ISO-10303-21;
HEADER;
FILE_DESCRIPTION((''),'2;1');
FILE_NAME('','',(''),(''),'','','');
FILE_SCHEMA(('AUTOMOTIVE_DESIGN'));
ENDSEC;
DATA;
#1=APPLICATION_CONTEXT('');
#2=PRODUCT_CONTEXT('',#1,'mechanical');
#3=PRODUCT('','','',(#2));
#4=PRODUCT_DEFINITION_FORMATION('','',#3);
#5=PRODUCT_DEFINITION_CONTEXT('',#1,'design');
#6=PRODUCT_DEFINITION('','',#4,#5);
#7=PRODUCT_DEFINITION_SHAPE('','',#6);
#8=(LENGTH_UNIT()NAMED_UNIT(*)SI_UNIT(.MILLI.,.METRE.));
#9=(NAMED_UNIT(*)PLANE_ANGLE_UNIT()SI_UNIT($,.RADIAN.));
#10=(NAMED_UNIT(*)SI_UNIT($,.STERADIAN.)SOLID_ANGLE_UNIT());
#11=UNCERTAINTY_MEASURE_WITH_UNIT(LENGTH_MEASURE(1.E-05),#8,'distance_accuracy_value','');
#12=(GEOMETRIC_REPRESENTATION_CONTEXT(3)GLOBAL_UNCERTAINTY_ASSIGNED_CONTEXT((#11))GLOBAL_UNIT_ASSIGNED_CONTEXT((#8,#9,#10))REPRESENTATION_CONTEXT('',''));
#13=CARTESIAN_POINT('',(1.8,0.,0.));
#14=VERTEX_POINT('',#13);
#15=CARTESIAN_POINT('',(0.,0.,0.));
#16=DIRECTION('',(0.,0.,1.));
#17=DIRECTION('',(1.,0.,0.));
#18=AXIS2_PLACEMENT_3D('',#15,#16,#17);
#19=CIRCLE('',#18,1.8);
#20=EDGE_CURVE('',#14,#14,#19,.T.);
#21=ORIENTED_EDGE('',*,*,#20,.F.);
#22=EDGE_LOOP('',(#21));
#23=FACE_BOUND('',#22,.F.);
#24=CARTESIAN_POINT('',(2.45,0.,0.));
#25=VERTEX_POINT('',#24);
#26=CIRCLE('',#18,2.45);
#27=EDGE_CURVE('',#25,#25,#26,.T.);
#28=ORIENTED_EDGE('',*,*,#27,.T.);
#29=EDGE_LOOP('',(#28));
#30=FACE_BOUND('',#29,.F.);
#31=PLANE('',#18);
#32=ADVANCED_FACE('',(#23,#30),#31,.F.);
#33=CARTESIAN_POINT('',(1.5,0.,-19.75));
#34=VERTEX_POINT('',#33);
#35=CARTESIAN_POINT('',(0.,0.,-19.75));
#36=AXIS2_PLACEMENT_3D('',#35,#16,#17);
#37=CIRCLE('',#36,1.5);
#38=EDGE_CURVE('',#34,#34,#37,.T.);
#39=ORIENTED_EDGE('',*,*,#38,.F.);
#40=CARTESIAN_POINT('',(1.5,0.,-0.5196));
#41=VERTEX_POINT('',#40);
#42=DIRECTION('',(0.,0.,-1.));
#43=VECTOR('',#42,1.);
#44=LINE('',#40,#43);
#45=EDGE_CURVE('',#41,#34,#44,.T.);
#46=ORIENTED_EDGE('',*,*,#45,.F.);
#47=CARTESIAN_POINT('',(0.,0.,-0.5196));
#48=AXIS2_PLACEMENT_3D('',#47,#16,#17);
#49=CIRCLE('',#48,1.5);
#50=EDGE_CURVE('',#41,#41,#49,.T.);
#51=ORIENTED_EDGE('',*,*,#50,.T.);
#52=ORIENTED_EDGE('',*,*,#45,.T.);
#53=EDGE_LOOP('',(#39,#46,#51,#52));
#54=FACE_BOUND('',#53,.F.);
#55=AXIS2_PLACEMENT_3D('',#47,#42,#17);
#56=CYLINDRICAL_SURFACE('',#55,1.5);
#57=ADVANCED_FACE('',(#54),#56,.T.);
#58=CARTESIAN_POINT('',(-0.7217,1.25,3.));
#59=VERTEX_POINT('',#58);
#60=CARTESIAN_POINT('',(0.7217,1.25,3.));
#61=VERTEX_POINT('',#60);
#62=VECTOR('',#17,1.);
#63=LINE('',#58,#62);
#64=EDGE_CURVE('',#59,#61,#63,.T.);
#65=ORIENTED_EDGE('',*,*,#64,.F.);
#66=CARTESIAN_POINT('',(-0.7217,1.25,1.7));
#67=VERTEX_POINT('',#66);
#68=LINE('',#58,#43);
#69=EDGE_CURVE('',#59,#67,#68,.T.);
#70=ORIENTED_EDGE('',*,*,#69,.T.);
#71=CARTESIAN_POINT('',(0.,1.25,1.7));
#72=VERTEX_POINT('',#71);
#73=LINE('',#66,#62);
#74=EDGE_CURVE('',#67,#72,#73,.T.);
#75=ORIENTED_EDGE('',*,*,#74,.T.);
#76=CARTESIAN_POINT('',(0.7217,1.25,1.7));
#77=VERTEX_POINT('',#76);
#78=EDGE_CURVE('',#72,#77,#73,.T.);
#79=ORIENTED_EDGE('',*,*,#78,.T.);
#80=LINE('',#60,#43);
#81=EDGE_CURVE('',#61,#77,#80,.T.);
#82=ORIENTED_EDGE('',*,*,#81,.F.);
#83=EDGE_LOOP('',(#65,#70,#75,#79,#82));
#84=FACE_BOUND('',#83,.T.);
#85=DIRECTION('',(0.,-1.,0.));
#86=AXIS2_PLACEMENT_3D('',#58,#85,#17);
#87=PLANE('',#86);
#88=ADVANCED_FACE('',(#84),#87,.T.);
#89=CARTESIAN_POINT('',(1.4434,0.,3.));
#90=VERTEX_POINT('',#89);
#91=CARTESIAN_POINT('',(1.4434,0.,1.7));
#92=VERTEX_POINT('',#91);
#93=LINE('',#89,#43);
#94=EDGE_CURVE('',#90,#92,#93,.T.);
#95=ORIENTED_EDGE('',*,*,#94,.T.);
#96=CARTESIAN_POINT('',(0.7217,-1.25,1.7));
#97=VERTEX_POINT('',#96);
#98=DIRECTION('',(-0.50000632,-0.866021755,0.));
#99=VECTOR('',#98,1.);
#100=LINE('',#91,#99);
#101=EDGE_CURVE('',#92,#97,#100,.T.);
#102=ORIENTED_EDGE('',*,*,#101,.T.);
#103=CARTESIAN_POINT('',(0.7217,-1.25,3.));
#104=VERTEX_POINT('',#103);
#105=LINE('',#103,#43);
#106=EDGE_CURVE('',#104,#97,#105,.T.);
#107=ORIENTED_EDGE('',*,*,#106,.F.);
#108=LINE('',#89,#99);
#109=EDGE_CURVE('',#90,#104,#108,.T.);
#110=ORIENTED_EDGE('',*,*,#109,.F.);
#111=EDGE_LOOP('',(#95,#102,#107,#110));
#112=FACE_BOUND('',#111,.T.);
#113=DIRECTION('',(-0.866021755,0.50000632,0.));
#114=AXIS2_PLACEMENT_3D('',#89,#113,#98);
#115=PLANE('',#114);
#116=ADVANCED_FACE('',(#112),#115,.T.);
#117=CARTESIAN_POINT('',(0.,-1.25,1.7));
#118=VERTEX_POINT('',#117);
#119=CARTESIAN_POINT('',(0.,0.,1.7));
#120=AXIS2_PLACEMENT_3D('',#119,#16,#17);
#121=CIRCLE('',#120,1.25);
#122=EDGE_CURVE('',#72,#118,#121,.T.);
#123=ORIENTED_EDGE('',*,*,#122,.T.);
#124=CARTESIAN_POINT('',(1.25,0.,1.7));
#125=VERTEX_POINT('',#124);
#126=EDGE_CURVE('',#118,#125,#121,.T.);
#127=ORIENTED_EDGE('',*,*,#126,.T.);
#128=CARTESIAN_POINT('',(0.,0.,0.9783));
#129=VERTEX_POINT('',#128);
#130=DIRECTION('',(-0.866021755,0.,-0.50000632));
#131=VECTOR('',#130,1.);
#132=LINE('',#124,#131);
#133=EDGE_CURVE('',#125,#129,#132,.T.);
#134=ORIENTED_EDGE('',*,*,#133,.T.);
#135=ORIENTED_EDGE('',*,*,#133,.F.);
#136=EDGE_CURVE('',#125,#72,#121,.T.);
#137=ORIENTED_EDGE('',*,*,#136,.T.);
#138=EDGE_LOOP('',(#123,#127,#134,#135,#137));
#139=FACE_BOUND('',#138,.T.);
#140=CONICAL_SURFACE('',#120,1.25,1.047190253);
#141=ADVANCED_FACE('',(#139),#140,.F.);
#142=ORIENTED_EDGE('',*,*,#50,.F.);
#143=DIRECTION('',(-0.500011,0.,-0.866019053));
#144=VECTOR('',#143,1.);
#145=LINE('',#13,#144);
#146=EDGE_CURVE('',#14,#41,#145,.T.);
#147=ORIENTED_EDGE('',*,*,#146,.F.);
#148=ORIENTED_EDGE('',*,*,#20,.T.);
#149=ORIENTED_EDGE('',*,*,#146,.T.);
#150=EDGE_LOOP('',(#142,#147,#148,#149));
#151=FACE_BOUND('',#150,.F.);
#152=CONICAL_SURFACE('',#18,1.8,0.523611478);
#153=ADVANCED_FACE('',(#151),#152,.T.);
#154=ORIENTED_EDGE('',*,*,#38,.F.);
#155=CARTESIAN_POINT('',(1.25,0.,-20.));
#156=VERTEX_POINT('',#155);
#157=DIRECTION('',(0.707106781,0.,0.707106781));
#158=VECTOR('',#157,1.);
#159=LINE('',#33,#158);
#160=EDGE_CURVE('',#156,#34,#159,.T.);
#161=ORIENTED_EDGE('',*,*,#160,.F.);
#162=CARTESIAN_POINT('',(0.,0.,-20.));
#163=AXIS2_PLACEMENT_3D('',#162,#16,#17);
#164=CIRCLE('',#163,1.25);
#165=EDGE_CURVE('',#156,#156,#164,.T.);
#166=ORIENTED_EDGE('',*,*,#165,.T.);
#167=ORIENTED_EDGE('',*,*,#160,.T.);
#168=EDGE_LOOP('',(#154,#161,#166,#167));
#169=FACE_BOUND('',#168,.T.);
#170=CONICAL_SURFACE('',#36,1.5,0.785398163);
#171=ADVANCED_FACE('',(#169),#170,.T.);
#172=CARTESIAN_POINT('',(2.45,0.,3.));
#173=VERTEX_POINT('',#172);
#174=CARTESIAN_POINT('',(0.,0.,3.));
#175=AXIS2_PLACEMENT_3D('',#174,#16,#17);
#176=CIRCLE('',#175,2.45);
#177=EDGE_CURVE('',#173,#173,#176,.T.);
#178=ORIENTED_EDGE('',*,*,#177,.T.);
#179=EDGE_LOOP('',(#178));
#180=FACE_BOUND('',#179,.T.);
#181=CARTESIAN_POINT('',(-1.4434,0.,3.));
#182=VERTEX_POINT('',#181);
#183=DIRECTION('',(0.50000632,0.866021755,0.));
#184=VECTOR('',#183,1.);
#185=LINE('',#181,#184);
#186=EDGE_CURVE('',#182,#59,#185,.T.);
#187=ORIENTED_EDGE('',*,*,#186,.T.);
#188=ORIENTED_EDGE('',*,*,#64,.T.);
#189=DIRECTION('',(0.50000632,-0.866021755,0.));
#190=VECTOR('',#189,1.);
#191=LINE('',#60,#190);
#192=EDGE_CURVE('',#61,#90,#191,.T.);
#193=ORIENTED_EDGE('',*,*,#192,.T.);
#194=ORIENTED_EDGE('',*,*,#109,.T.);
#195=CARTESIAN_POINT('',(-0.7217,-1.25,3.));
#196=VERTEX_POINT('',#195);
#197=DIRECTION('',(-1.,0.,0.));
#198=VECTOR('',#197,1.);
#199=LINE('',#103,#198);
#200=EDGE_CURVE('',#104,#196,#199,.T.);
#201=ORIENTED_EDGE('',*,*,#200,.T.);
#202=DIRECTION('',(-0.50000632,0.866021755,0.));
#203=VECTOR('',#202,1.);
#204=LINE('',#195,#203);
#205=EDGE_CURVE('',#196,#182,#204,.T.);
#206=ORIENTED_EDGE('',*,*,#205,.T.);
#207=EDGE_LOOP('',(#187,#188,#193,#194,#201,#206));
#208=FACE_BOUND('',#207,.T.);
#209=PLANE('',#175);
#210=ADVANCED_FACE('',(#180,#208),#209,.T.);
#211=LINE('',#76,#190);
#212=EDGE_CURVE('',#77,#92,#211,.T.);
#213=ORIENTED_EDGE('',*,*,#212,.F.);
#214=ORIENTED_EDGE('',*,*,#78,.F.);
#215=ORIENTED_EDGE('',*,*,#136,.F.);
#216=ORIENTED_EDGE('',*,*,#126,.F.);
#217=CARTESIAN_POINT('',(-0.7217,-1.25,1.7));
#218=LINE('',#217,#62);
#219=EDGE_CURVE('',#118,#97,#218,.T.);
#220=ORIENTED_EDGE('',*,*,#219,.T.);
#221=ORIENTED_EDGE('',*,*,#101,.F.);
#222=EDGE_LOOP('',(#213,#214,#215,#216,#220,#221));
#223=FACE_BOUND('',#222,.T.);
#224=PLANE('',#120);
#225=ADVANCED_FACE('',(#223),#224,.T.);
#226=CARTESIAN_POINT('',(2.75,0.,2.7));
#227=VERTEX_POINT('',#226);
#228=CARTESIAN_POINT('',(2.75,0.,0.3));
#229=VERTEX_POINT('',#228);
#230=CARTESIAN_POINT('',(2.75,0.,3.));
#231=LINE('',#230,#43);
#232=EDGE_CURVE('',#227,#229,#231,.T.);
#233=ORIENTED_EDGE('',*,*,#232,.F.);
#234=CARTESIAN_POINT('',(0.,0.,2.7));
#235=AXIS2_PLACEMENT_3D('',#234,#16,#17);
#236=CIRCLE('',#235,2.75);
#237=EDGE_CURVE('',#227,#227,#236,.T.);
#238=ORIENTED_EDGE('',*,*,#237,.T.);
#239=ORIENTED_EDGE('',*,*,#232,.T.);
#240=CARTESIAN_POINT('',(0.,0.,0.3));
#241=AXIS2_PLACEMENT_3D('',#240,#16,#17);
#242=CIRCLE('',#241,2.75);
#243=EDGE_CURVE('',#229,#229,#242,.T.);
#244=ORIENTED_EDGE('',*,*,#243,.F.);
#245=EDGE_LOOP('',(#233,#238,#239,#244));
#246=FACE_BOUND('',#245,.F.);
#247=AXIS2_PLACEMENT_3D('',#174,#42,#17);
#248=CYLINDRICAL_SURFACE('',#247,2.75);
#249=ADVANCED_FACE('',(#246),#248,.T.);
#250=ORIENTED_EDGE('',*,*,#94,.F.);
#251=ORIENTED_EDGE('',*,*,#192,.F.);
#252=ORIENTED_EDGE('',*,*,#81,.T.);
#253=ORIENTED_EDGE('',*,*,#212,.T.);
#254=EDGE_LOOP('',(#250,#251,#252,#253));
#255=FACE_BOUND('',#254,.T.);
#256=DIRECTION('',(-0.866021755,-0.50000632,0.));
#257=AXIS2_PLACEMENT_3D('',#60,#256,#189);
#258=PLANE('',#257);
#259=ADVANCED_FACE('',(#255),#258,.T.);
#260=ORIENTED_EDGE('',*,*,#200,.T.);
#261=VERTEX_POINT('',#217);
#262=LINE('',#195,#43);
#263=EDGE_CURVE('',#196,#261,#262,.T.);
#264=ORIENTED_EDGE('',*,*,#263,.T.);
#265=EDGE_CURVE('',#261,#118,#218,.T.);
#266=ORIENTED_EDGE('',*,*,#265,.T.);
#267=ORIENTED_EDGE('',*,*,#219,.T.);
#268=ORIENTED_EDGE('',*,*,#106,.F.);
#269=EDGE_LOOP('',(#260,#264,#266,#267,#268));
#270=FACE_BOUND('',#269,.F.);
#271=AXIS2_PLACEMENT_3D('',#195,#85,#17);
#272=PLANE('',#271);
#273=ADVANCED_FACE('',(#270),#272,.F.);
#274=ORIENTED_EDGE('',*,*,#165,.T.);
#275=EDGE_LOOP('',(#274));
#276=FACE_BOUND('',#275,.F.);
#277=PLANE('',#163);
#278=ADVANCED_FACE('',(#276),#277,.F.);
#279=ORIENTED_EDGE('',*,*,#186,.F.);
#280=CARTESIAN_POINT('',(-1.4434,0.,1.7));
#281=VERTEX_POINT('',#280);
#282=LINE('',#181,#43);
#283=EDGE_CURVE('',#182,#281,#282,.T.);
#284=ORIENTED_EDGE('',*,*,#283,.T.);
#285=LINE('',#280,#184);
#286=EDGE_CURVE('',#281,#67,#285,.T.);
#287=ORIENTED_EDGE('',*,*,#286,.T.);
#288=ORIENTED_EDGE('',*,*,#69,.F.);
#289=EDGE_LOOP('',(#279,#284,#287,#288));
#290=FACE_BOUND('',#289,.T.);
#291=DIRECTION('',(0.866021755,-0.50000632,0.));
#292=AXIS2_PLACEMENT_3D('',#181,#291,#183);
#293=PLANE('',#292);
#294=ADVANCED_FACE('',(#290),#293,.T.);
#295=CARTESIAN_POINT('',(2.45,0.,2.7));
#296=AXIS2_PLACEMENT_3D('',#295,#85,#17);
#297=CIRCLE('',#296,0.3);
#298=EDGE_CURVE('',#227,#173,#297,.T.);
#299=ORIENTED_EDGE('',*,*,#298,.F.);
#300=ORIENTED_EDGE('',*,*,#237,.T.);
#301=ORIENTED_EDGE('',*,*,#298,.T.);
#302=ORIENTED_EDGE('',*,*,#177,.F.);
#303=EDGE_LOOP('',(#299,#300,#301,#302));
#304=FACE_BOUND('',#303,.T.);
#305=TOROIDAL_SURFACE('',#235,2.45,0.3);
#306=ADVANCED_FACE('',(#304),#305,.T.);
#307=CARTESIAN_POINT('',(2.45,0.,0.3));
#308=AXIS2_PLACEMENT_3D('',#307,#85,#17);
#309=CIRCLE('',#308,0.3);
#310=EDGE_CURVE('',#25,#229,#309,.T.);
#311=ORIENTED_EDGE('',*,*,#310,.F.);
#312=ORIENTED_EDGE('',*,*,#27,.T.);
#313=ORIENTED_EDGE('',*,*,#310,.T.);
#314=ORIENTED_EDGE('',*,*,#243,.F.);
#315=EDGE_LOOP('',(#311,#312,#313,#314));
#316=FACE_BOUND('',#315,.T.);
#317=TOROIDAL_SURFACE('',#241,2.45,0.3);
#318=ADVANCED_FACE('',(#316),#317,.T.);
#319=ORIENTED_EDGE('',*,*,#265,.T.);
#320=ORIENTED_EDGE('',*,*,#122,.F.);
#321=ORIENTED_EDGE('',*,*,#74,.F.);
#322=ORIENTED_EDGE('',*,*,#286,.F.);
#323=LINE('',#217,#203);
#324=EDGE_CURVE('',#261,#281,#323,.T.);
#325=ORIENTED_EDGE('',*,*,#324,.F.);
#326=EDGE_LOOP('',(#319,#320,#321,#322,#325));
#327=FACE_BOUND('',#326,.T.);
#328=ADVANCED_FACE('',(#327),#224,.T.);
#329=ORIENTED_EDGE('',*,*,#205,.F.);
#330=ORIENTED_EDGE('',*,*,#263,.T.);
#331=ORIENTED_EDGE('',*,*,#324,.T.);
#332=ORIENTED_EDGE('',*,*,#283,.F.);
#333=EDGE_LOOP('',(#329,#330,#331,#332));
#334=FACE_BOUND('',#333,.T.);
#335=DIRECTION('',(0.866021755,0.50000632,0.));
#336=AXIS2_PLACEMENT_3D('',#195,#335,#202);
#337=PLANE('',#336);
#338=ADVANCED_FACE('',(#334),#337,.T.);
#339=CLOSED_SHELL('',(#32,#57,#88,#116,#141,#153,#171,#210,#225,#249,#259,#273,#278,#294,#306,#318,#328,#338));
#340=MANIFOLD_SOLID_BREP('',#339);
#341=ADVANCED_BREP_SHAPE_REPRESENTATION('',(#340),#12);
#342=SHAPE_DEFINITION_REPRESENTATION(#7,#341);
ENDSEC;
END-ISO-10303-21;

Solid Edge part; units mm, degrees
sketch "Sketch1" plane through (0, 0, 0) normal (0, -1, 0) x (1, 0, 0)
  line L0 (2.75, 3) -> (2.75, 0)
  line L1 (2.75, 0) -> (1.8, 0)
  line L2 (1.8, 0) -> (1.5, -0.5196)
  line L3 (1.5, -0.5196) -> (1.5, -20)
  line L4 (1.5, -20) -> (0, -20)
  line L5 (1.25, 1.7) -> (0, 0.9783)
  line L6 (1.25, 3) -> (1.25, 1.7)
  line L7 (2.75, 3) -> (1.25, 3)
  dimension "D1" = 1.3
  dimension "D2" = 20
  dimension "D3" = 3
revolve "RevolvedProtrusion1" add sketch "Sketch1" angle 360 about axis through (0, 0, -6) along (0, 0, 1)
cosmetic_thread "Thread1" size "M3"
chamfer "Chamfer_1" distance 0.25 angle 45 1 edges at (-1.5, 0, -20)
fillet "Round_1" radius 0.3 2 edges at (-2.75, 0, 0) (-2.75, 0, 3)
sketch "Sketch2" plane through (0, 0, 3) normal (0, 0, 1) x (0, 1, 0)
  line L0 (-1.25, 0.7217) -> (-1.25, -0.7217)
  line L1 (0, -1.4434) -> (-1.25, -0.7217)
  line L2 (1.25, -0.7217) -> (0, -1.4434)
  line L3 (1.25, 0.7217) -> (1.25, -0.7217)
  line L4 (0, 1.4434) -> (1.25, 0.7217)
  line L5 (-1.25, 0.7217) -> (0, 1.4434)
extrude "Cutout1" cut sketch "Sketch2" against normal up to vertex (1.3 mm away)
properties material "Galvanized steel"
